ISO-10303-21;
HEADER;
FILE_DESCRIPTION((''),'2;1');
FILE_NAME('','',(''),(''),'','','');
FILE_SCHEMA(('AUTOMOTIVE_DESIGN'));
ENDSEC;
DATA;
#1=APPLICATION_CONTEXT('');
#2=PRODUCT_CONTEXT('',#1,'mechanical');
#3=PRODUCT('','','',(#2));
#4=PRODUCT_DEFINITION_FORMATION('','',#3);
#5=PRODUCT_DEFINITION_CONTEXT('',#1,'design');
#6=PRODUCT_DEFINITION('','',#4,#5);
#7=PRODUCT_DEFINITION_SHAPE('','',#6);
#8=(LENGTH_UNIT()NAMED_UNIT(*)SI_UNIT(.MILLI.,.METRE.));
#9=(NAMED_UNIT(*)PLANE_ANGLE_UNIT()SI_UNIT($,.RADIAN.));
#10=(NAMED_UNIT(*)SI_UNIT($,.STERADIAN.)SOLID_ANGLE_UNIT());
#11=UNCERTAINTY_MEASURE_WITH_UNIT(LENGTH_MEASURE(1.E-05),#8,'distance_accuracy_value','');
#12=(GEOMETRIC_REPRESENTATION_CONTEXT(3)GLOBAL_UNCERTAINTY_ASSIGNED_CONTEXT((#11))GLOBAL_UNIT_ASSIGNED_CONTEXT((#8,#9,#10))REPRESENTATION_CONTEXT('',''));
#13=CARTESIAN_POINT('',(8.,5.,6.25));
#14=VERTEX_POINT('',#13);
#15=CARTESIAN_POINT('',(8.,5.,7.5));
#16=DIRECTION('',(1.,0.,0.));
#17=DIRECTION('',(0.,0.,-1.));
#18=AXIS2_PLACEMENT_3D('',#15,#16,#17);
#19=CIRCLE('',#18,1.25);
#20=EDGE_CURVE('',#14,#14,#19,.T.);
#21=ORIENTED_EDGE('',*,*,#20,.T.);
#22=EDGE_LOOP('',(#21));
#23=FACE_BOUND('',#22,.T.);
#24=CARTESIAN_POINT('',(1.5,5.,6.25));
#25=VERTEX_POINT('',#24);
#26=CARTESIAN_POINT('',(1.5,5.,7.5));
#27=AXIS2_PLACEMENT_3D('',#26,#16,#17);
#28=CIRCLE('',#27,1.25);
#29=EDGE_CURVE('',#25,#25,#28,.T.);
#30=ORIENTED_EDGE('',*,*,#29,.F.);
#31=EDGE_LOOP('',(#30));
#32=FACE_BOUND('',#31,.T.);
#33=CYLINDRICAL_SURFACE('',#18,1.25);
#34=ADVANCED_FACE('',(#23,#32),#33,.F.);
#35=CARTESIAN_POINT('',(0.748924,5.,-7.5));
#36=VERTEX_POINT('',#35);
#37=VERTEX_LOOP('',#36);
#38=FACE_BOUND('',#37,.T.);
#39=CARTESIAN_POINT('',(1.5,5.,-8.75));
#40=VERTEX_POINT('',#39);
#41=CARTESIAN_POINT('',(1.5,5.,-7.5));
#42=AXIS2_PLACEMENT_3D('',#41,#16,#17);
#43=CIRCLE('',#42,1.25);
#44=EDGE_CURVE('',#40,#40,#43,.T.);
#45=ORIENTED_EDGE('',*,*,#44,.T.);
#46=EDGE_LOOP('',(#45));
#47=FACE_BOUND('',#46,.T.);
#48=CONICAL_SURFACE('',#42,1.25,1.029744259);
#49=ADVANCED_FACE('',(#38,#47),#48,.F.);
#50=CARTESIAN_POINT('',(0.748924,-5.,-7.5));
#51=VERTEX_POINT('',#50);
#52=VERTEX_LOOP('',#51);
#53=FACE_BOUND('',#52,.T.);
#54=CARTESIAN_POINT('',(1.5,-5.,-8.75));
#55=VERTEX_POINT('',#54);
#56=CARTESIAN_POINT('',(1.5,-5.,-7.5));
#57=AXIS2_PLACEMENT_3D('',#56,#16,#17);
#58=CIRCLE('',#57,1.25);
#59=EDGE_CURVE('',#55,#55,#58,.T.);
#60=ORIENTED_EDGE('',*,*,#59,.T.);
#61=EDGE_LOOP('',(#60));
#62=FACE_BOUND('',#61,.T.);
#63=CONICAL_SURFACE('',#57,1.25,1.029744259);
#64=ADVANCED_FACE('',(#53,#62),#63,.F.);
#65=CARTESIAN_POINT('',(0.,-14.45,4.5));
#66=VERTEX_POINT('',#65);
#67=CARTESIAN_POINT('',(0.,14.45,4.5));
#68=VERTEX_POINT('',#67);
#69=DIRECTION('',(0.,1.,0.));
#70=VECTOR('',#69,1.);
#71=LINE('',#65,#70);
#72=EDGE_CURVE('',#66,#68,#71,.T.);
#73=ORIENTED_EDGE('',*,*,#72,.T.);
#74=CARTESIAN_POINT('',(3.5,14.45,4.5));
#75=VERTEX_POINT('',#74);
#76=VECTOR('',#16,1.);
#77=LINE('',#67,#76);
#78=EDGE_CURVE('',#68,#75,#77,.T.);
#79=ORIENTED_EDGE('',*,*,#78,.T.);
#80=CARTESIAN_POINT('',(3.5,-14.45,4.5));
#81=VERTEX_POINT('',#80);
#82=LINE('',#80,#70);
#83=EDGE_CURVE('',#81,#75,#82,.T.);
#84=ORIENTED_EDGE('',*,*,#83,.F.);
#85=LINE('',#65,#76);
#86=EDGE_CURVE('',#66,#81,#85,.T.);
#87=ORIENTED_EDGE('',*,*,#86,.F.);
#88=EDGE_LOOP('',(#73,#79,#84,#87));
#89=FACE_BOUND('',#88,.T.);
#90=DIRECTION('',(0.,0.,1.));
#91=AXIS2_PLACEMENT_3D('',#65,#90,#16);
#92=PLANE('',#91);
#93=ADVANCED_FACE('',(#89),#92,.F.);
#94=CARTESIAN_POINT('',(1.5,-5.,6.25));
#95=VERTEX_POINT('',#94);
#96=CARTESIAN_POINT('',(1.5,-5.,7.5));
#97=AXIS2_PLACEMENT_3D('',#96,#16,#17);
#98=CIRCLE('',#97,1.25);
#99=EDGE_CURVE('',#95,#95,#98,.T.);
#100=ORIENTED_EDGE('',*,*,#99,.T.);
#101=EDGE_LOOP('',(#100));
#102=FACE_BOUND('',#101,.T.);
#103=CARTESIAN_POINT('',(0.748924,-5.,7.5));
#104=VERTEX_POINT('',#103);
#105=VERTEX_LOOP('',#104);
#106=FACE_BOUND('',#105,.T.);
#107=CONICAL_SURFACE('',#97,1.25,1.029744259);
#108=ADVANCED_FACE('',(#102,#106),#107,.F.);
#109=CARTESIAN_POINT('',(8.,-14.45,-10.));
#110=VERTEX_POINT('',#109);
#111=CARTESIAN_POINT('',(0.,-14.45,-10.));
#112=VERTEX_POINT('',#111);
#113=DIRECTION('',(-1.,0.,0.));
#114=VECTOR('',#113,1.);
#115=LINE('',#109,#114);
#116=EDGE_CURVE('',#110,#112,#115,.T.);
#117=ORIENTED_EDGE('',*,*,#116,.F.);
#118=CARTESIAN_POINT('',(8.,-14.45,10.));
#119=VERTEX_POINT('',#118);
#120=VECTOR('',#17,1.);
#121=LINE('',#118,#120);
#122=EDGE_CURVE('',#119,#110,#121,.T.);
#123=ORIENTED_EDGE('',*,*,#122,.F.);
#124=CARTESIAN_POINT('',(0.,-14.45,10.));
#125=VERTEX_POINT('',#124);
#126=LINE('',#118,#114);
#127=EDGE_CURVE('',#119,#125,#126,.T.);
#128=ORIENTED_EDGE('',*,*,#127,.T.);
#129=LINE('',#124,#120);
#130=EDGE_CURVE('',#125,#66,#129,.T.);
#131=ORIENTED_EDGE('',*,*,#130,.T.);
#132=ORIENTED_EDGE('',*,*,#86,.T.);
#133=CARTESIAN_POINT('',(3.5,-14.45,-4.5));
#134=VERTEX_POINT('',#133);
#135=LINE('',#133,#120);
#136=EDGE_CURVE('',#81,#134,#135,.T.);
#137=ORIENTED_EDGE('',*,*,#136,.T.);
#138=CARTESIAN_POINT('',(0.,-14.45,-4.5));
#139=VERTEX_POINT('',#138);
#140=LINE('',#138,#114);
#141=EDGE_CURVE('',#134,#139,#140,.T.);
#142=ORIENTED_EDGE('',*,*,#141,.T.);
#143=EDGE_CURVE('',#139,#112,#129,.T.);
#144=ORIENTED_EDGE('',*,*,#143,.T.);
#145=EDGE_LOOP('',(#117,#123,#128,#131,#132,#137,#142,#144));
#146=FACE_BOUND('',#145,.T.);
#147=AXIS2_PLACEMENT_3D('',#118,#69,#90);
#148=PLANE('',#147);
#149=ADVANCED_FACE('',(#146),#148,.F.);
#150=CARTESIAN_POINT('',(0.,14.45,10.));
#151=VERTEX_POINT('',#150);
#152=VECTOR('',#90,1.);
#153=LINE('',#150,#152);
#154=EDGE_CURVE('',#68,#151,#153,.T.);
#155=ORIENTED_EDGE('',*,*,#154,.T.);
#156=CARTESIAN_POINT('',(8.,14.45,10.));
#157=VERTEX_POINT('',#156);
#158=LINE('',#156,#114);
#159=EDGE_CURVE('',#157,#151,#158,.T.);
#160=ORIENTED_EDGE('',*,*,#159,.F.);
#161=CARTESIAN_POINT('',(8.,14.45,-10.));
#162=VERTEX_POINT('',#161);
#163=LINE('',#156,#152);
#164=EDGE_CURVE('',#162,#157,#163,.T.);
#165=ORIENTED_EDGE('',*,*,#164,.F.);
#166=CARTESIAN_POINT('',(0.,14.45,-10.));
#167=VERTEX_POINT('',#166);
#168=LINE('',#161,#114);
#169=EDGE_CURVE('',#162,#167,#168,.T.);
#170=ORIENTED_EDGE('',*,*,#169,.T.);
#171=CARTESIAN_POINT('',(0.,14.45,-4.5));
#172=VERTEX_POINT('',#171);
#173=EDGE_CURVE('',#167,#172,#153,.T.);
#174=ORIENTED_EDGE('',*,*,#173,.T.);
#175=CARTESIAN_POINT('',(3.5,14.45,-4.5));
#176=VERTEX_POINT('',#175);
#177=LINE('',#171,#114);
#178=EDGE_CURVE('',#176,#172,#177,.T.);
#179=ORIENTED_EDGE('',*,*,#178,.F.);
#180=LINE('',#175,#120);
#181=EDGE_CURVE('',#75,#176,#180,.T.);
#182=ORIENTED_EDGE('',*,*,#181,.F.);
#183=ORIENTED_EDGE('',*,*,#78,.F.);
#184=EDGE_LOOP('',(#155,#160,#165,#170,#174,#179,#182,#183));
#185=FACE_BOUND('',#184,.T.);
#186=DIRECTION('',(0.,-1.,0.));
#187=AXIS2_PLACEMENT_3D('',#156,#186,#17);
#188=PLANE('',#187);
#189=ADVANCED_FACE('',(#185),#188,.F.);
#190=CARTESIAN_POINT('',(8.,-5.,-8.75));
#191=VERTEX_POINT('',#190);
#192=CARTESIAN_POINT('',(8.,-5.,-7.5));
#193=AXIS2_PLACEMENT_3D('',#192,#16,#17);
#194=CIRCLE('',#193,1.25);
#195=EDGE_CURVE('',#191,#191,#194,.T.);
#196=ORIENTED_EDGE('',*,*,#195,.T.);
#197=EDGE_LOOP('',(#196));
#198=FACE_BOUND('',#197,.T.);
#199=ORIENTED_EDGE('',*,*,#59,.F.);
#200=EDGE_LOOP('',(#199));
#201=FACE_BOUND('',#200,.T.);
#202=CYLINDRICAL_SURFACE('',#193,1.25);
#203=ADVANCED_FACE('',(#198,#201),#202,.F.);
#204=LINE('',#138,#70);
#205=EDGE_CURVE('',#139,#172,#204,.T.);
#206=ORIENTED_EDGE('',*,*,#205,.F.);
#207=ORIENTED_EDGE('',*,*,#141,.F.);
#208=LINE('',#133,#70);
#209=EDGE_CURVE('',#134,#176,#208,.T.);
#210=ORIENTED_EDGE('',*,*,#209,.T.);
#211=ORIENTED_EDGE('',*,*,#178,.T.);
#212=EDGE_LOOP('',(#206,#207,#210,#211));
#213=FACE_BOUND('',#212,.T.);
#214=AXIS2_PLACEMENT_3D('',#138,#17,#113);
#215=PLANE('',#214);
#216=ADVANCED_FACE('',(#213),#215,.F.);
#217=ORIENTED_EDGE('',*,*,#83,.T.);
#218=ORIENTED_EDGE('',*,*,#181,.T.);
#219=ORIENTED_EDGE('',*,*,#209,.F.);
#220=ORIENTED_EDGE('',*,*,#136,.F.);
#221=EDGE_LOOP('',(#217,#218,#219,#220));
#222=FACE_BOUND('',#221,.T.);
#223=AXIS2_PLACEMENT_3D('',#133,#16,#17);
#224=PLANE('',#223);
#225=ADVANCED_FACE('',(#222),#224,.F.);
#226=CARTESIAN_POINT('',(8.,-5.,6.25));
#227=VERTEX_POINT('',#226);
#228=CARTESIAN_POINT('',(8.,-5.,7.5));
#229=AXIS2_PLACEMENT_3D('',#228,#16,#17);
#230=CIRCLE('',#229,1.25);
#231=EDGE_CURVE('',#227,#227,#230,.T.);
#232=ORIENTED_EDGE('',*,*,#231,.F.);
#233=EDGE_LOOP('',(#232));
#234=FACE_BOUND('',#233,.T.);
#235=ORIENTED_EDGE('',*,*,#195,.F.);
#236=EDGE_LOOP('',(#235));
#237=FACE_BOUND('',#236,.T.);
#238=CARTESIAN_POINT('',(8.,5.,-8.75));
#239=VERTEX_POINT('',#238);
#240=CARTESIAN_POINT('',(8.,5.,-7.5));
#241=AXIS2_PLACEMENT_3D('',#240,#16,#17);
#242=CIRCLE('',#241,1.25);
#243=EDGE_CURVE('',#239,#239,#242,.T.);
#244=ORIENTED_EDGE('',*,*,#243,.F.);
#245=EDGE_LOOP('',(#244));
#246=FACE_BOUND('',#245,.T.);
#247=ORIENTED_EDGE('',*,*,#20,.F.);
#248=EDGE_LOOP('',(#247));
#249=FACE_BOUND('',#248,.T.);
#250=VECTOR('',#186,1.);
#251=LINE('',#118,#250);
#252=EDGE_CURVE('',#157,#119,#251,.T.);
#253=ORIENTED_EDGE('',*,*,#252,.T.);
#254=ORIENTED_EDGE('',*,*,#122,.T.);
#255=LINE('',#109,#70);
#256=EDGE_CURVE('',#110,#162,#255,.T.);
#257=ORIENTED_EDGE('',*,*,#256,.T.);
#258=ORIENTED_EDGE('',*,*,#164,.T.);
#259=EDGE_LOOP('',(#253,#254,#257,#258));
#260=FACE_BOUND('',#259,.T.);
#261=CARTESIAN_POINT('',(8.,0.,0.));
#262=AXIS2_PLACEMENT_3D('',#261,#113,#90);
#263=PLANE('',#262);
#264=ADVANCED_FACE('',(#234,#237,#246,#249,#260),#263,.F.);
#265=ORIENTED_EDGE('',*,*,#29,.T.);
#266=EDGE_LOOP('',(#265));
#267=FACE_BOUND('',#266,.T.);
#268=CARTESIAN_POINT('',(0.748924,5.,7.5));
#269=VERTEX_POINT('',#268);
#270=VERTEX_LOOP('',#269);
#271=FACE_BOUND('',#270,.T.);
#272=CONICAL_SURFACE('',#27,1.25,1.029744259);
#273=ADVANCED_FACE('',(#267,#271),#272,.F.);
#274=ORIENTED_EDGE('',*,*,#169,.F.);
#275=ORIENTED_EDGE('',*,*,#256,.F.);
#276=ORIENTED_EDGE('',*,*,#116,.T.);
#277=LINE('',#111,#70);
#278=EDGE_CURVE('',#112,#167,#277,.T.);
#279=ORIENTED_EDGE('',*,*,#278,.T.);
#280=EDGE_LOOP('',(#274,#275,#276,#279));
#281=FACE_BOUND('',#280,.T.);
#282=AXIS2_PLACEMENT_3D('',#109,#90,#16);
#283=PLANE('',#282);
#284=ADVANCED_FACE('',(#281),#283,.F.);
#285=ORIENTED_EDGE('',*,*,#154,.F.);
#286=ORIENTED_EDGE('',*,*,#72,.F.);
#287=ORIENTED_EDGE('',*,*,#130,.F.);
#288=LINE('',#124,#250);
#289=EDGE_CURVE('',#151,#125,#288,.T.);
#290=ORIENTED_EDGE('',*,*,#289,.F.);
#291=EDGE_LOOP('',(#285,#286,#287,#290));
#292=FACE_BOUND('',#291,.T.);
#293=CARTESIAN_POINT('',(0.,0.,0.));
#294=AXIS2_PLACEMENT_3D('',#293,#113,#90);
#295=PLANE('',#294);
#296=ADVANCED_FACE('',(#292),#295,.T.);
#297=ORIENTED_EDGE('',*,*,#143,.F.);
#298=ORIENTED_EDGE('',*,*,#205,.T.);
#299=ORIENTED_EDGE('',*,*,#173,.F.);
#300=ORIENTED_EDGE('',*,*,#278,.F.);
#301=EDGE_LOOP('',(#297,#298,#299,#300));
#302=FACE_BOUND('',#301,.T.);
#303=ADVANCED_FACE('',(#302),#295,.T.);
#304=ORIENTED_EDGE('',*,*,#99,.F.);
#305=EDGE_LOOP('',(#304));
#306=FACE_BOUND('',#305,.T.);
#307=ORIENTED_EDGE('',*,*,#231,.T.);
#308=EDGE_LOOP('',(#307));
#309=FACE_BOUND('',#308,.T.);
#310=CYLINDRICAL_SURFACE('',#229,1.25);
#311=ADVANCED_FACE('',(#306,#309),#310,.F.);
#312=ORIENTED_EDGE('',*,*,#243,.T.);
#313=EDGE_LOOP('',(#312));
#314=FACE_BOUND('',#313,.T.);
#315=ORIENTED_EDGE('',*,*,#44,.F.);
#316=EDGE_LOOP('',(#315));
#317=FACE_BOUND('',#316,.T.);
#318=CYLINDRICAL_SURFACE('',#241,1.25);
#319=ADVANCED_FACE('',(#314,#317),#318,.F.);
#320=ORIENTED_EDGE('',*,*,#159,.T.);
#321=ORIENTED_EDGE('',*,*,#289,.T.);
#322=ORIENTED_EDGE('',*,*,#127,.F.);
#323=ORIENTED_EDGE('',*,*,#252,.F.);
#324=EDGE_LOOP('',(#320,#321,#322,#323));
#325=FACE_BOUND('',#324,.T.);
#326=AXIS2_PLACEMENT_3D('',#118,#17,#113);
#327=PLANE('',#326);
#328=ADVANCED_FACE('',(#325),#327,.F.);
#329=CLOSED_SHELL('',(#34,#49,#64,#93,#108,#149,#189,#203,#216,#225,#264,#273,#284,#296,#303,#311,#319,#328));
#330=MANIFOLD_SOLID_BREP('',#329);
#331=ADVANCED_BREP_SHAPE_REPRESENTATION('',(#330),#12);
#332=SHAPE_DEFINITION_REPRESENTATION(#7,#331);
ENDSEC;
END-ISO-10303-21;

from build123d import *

# Parameters (mm, degrees)
SKETCH_1_W             = 20
SKETCH_1_H             = 28.9
EXTRUDE_1_DEPTH        = 8
SKETCH_2_W             = 3.5
SKETCH_2_H             = 9
CUT_EXTRUDE_1_DEPTH    = 32.610283137
HOLE_WIZARD_M3_1_D     = 2.5
HOLE_WIZARD_M3_1_DEPTH = 6.5
HOLE_WIZARD_M3_1_TIP   = 0.751075774


with BuildPart() as part:
    # 草图1 → 凸台-拉伸1 (new body)
    with BuildSketch(Plane(origin=(0, 0, 0), x_dir=(0, 0, -1), z_dir=(1, 0, 0))):
        Rectangle(SKETCH_1_W, SKETCH_1_H)
    extrude(amount=EXTRUDE_1_DEPTH)

    # 草图2 → 切除-拉伸1 (cut, through all)
    with BuildSketch(Plane(origin=(0, 14.45, 0), x_dir=(1, 0, 0), z_dir=(0, 1, 0))):
        with Locations((1.75, 0)):
            Rectangle(SKETCH_2_W, SKETCH_2_H)
    extrude(amount=-CUT_EXTRUDE_1_DEPTH, mode=Mode.SUBTRACT)

    # M3 螺纹孔1
    with Locations(Plane(origin=(8, 0, 0), x_dir=(0, 0, -1), z_dir=(1, 0, 0))):
        with Locations((-7.5, 5), (7.5, -5), (-7.5, -5), (7.5, 5)):
            Hole(HOLE_WIZARD_M3_1_D / 2, depth=HOLE_WIZARD_M3_1_DEPTH)
            with Locations((0, 0, -(HOLE_WIZARD_M3_1_DEPTH + HOLE_WIZARD_M3_1_TIP / 2))):  # 118° drill point
                Cone(0, HOLE_WIZARD_M3_1_D / 2, HOLE_WIZARD_M3_1_TIP, mode=Mode.SUBTRACT)


solid = part.part
